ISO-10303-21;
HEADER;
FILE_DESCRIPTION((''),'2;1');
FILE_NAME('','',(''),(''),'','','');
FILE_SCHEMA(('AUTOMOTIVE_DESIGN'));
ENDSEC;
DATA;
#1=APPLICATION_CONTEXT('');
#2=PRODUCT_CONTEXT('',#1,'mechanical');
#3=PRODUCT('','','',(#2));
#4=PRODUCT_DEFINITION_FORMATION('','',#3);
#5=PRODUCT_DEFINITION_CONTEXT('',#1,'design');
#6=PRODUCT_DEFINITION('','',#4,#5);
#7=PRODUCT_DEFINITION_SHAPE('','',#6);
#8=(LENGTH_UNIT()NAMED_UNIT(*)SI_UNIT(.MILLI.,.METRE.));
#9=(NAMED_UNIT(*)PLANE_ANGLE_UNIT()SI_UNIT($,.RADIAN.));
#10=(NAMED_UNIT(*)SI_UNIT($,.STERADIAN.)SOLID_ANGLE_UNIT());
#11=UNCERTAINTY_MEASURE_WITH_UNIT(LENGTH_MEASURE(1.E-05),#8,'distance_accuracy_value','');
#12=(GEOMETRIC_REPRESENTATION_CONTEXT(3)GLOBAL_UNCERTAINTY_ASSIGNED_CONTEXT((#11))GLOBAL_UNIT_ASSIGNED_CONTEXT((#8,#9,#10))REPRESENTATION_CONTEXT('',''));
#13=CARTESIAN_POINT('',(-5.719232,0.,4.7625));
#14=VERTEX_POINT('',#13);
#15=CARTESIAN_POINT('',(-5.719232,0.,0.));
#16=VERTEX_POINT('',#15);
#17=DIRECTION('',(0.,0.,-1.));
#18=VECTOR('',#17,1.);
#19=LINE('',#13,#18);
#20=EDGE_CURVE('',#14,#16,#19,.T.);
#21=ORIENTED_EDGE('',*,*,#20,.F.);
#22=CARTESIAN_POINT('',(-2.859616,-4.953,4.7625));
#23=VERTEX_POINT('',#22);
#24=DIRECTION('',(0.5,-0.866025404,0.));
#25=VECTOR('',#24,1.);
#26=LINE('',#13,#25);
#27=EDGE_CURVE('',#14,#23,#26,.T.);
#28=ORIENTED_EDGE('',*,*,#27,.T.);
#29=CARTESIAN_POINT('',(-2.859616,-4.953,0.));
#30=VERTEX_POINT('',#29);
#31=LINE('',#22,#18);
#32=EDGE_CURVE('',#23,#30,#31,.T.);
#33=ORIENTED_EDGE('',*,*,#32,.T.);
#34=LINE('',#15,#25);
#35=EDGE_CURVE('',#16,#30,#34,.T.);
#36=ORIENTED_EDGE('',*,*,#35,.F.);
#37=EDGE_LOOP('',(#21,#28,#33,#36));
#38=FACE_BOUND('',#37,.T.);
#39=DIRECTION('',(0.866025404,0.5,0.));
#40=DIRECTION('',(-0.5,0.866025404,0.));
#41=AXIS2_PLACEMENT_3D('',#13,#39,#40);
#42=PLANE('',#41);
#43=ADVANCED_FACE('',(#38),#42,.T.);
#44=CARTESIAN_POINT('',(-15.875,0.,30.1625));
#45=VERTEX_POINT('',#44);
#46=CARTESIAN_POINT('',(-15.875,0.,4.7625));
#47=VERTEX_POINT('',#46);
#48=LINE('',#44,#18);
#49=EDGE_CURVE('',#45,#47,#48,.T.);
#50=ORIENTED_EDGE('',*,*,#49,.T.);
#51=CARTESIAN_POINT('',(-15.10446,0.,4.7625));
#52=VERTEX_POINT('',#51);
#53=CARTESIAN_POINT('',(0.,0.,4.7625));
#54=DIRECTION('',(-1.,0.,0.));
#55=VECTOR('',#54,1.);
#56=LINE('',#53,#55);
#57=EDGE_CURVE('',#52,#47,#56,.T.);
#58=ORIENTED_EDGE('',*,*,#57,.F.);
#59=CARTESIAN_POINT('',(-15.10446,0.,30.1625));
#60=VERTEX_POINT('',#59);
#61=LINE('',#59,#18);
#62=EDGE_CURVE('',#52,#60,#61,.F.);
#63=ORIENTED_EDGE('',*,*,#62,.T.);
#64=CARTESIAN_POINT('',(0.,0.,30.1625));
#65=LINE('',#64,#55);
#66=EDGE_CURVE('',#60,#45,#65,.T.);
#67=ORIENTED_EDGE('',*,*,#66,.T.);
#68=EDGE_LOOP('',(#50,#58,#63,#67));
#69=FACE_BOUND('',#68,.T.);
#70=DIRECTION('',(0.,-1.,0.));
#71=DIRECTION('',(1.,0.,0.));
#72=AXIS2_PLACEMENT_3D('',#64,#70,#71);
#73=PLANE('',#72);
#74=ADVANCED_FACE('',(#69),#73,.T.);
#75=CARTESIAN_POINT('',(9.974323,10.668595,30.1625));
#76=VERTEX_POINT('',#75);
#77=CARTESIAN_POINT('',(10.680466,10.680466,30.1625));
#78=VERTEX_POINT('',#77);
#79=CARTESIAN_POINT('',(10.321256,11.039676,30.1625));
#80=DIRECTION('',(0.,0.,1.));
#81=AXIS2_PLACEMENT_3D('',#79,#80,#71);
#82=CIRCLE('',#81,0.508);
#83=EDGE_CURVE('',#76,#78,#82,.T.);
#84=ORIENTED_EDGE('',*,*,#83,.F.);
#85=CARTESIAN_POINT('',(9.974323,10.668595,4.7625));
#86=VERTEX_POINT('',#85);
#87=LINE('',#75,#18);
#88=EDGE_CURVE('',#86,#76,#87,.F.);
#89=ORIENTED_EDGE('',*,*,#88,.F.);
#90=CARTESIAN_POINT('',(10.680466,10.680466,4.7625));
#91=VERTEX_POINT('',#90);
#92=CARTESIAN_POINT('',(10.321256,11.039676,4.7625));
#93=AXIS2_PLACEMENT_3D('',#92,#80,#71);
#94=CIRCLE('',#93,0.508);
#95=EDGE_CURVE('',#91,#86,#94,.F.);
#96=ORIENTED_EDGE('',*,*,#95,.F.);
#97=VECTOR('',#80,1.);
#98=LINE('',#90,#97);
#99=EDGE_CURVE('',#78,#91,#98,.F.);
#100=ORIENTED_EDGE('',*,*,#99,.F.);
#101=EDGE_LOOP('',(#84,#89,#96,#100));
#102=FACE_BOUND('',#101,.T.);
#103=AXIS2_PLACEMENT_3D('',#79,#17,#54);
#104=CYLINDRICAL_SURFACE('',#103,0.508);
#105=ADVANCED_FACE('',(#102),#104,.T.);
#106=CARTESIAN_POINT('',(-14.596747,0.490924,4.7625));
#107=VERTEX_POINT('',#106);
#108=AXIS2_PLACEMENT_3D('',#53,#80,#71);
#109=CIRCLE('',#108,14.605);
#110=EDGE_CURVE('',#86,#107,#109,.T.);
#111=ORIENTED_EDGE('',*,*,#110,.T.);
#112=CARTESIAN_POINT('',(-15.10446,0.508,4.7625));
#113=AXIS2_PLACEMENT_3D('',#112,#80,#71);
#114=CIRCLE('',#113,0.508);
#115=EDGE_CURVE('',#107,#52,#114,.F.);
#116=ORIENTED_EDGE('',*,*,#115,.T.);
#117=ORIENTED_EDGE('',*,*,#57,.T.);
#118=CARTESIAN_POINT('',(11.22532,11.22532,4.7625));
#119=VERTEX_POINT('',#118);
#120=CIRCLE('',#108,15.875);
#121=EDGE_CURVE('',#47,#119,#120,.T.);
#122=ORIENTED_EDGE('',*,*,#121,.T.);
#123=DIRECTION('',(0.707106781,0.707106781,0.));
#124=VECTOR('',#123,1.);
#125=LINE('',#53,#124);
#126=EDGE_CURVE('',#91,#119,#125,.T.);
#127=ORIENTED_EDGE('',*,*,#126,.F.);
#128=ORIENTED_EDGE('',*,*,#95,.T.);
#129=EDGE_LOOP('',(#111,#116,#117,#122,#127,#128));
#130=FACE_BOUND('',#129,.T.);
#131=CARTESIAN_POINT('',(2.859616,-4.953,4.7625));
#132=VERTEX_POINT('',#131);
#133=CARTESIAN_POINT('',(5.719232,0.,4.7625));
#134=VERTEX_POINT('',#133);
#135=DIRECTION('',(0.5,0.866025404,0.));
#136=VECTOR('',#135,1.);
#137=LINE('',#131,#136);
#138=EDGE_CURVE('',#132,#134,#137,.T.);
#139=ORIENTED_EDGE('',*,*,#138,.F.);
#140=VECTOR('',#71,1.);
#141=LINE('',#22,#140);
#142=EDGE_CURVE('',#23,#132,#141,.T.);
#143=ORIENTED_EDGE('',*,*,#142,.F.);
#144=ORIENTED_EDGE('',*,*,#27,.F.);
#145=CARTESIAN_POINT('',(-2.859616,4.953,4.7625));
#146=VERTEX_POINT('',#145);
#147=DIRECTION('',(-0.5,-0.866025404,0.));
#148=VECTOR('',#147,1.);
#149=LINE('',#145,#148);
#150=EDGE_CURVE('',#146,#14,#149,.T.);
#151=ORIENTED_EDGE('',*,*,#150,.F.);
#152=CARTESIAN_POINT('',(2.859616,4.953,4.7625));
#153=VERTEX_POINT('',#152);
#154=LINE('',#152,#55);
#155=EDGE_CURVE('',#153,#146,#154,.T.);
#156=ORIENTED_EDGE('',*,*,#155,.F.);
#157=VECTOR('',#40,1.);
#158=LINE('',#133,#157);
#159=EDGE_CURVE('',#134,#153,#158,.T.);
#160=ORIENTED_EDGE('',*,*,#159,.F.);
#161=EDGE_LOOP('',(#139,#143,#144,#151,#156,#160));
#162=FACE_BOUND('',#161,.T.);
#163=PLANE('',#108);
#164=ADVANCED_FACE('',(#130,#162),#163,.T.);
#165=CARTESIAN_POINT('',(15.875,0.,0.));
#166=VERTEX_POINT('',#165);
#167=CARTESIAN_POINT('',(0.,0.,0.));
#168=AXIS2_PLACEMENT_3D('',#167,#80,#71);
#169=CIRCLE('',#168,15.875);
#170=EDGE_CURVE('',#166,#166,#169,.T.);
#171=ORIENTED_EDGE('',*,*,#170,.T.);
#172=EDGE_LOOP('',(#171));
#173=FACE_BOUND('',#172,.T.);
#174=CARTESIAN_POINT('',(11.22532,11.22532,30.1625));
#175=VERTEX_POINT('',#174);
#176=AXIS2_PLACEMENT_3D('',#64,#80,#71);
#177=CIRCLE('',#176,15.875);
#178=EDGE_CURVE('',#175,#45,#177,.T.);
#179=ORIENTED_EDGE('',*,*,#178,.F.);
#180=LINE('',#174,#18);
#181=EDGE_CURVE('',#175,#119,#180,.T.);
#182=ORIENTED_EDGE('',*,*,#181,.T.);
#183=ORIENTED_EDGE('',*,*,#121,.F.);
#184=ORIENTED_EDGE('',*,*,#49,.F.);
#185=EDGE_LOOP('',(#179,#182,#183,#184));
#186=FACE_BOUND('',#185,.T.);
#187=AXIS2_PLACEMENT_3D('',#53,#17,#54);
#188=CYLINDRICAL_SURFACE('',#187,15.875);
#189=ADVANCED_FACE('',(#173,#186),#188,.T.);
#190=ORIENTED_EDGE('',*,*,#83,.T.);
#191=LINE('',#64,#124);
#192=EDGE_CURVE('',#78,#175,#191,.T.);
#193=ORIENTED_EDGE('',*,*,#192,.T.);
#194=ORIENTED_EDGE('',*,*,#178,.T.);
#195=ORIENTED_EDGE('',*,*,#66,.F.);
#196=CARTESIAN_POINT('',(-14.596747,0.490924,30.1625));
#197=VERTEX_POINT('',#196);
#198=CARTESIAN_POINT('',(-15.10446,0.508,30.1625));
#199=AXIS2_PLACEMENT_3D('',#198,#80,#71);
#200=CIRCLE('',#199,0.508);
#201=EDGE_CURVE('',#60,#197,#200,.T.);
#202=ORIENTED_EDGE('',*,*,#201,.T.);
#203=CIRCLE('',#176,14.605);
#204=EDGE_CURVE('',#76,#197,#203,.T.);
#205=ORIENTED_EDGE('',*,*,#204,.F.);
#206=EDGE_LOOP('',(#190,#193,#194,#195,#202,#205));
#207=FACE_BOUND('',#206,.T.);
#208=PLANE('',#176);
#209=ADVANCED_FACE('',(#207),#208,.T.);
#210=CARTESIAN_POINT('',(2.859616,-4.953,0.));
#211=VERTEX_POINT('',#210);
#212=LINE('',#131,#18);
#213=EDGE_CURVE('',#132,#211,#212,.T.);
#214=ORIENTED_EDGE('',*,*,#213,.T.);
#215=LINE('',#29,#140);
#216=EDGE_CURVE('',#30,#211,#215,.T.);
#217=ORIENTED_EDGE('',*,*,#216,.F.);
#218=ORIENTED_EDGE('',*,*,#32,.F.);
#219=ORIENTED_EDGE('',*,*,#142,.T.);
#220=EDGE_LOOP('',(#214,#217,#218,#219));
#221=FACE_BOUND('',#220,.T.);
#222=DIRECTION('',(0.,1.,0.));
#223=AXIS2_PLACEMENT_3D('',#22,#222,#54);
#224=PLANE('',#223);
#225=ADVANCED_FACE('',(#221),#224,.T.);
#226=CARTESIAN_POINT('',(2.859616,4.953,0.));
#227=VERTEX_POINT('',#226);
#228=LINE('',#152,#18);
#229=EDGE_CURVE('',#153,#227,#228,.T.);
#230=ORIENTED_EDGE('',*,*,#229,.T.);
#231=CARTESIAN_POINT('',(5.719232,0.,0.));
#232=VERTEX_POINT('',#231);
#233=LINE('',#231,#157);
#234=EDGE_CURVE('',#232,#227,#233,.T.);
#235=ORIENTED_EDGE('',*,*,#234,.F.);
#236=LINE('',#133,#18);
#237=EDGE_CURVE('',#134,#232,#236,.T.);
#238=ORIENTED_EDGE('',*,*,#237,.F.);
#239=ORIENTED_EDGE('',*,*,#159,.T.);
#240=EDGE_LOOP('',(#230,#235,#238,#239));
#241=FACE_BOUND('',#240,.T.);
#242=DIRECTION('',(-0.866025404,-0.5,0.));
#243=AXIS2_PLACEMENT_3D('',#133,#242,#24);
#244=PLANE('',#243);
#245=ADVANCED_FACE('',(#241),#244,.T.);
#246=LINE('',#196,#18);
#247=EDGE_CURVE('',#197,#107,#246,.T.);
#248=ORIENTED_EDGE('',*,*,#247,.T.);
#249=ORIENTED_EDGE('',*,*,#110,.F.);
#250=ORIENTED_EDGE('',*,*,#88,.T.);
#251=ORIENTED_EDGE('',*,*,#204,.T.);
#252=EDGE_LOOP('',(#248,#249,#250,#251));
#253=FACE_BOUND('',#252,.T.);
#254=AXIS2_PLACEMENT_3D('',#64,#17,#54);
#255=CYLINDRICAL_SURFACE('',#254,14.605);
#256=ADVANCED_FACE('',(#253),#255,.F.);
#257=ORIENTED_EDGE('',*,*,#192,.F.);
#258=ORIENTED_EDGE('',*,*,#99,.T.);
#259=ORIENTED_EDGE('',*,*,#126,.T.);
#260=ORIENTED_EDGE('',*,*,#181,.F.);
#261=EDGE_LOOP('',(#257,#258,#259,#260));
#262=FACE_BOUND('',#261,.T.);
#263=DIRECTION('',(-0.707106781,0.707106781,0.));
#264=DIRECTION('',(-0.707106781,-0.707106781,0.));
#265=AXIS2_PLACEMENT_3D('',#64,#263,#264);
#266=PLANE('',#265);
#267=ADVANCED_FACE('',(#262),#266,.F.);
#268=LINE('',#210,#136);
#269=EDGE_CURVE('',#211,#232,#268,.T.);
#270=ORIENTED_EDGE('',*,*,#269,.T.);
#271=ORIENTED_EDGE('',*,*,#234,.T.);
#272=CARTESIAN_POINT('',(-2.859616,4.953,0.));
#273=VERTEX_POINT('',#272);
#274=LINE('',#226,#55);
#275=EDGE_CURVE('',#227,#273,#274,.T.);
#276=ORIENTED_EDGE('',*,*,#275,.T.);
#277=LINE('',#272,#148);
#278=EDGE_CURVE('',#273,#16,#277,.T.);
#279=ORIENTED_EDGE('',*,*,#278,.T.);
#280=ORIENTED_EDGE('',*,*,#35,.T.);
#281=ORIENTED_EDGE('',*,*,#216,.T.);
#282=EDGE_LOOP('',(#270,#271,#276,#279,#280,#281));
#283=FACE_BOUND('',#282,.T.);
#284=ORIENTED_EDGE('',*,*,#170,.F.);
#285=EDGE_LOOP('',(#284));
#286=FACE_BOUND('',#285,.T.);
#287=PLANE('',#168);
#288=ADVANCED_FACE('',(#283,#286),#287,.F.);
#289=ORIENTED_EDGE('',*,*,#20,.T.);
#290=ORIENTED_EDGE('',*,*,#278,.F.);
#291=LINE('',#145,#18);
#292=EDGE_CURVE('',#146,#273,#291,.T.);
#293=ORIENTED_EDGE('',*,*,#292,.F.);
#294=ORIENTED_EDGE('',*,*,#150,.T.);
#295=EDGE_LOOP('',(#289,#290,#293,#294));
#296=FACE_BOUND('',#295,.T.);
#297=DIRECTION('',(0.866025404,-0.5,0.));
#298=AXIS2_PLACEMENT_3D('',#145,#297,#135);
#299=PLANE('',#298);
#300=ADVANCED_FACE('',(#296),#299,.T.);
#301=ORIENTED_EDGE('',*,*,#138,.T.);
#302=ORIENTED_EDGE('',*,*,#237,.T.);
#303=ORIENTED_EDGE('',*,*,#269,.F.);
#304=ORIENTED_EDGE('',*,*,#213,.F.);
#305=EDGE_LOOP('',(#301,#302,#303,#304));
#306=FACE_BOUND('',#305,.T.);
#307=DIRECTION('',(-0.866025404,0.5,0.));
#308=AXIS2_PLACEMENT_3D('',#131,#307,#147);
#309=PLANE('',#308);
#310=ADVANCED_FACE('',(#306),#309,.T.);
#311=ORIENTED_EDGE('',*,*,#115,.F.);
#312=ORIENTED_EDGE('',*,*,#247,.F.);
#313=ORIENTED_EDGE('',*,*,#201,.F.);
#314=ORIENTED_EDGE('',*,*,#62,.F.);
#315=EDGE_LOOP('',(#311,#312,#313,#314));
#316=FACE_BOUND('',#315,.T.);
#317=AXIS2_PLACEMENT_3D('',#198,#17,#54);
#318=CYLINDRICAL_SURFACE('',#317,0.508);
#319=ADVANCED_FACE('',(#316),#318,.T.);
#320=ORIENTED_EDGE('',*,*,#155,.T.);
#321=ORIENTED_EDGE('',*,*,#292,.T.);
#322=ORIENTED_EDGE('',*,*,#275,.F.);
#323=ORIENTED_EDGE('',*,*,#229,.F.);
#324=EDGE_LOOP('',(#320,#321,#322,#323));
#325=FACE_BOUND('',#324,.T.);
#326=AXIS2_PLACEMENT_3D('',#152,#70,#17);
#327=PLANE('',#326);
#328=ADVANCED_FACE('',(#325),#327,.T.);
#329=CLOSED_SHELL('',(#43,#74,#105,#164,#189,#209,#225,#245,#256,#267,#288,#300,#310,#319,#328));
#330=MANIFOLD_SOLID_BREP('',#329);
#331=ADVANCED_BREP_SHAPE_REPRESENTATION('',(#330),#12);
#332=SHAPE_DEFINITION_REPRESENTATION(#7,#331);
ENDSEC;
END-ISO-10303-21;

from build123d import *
from build123d.topology import SkipClean

# Parameters (mm, degrees)
SKETCH1_R           = 15.875
BOSS_EXTRUDE1_DEPTH = 4.7625
BOSS_EXTRUDE2_DEPTH = 25.4
FILLET1_R           = 0.508


with BuildPart() as part:
    # Sketch1 → Boss-Extrude1 (new body)
    with BuildSketch(Plane.XY):
        with Locations(Location((0, 0, 0), (0, 0, 180))):
            Circle(SKETCH1_R)
        Polygon((5.719231767, 0), (2.859615883, 4.953), (-2.859615883, 4.953), (-5.719231767, 0), (-2.859615883, -4.953), (2.859615883, -4.953), align=None, mode=Mode.SUBTRACT)
    extrude(amount=BOSS_EXTRUDE1_DEPTH)

    # Sketch2 → Boss-Extrude2 (add)
    with SkipClean():  # the faces are left unmerged after this step: merging them gives an invalid solid
        with BuildSketch(Plane.XY.offset(4.7625)):
            with BuildLine():
                Line((-15.875, 0), (-14.605, 0))
                ThreePointArc((-14.605, 0), (-5.58909153, 13.493260572), (10.327294539, 10.327294539))
                Line((10.327294539, 10.327294539), (11.225320151, 11.225320151))
                ThreePointArc((11.225320151, 11.225320151), (-6.075099489, 14.666587579), (-15.875, 0))
            make_face()
        extrude(amount=BOSS_EXTRUDE2_DEPTH)

    # Fillet1
    fillet1_edges = [part.edges().sort_by_distance(p)[0] for p in [
        (-14.605, 0, 17.4625),
        (10.327294539, 10.327294539, 17.4625),
    ]]
    fillet(fillet1_edges, radius=FILLET1_R)


solid = part.part
